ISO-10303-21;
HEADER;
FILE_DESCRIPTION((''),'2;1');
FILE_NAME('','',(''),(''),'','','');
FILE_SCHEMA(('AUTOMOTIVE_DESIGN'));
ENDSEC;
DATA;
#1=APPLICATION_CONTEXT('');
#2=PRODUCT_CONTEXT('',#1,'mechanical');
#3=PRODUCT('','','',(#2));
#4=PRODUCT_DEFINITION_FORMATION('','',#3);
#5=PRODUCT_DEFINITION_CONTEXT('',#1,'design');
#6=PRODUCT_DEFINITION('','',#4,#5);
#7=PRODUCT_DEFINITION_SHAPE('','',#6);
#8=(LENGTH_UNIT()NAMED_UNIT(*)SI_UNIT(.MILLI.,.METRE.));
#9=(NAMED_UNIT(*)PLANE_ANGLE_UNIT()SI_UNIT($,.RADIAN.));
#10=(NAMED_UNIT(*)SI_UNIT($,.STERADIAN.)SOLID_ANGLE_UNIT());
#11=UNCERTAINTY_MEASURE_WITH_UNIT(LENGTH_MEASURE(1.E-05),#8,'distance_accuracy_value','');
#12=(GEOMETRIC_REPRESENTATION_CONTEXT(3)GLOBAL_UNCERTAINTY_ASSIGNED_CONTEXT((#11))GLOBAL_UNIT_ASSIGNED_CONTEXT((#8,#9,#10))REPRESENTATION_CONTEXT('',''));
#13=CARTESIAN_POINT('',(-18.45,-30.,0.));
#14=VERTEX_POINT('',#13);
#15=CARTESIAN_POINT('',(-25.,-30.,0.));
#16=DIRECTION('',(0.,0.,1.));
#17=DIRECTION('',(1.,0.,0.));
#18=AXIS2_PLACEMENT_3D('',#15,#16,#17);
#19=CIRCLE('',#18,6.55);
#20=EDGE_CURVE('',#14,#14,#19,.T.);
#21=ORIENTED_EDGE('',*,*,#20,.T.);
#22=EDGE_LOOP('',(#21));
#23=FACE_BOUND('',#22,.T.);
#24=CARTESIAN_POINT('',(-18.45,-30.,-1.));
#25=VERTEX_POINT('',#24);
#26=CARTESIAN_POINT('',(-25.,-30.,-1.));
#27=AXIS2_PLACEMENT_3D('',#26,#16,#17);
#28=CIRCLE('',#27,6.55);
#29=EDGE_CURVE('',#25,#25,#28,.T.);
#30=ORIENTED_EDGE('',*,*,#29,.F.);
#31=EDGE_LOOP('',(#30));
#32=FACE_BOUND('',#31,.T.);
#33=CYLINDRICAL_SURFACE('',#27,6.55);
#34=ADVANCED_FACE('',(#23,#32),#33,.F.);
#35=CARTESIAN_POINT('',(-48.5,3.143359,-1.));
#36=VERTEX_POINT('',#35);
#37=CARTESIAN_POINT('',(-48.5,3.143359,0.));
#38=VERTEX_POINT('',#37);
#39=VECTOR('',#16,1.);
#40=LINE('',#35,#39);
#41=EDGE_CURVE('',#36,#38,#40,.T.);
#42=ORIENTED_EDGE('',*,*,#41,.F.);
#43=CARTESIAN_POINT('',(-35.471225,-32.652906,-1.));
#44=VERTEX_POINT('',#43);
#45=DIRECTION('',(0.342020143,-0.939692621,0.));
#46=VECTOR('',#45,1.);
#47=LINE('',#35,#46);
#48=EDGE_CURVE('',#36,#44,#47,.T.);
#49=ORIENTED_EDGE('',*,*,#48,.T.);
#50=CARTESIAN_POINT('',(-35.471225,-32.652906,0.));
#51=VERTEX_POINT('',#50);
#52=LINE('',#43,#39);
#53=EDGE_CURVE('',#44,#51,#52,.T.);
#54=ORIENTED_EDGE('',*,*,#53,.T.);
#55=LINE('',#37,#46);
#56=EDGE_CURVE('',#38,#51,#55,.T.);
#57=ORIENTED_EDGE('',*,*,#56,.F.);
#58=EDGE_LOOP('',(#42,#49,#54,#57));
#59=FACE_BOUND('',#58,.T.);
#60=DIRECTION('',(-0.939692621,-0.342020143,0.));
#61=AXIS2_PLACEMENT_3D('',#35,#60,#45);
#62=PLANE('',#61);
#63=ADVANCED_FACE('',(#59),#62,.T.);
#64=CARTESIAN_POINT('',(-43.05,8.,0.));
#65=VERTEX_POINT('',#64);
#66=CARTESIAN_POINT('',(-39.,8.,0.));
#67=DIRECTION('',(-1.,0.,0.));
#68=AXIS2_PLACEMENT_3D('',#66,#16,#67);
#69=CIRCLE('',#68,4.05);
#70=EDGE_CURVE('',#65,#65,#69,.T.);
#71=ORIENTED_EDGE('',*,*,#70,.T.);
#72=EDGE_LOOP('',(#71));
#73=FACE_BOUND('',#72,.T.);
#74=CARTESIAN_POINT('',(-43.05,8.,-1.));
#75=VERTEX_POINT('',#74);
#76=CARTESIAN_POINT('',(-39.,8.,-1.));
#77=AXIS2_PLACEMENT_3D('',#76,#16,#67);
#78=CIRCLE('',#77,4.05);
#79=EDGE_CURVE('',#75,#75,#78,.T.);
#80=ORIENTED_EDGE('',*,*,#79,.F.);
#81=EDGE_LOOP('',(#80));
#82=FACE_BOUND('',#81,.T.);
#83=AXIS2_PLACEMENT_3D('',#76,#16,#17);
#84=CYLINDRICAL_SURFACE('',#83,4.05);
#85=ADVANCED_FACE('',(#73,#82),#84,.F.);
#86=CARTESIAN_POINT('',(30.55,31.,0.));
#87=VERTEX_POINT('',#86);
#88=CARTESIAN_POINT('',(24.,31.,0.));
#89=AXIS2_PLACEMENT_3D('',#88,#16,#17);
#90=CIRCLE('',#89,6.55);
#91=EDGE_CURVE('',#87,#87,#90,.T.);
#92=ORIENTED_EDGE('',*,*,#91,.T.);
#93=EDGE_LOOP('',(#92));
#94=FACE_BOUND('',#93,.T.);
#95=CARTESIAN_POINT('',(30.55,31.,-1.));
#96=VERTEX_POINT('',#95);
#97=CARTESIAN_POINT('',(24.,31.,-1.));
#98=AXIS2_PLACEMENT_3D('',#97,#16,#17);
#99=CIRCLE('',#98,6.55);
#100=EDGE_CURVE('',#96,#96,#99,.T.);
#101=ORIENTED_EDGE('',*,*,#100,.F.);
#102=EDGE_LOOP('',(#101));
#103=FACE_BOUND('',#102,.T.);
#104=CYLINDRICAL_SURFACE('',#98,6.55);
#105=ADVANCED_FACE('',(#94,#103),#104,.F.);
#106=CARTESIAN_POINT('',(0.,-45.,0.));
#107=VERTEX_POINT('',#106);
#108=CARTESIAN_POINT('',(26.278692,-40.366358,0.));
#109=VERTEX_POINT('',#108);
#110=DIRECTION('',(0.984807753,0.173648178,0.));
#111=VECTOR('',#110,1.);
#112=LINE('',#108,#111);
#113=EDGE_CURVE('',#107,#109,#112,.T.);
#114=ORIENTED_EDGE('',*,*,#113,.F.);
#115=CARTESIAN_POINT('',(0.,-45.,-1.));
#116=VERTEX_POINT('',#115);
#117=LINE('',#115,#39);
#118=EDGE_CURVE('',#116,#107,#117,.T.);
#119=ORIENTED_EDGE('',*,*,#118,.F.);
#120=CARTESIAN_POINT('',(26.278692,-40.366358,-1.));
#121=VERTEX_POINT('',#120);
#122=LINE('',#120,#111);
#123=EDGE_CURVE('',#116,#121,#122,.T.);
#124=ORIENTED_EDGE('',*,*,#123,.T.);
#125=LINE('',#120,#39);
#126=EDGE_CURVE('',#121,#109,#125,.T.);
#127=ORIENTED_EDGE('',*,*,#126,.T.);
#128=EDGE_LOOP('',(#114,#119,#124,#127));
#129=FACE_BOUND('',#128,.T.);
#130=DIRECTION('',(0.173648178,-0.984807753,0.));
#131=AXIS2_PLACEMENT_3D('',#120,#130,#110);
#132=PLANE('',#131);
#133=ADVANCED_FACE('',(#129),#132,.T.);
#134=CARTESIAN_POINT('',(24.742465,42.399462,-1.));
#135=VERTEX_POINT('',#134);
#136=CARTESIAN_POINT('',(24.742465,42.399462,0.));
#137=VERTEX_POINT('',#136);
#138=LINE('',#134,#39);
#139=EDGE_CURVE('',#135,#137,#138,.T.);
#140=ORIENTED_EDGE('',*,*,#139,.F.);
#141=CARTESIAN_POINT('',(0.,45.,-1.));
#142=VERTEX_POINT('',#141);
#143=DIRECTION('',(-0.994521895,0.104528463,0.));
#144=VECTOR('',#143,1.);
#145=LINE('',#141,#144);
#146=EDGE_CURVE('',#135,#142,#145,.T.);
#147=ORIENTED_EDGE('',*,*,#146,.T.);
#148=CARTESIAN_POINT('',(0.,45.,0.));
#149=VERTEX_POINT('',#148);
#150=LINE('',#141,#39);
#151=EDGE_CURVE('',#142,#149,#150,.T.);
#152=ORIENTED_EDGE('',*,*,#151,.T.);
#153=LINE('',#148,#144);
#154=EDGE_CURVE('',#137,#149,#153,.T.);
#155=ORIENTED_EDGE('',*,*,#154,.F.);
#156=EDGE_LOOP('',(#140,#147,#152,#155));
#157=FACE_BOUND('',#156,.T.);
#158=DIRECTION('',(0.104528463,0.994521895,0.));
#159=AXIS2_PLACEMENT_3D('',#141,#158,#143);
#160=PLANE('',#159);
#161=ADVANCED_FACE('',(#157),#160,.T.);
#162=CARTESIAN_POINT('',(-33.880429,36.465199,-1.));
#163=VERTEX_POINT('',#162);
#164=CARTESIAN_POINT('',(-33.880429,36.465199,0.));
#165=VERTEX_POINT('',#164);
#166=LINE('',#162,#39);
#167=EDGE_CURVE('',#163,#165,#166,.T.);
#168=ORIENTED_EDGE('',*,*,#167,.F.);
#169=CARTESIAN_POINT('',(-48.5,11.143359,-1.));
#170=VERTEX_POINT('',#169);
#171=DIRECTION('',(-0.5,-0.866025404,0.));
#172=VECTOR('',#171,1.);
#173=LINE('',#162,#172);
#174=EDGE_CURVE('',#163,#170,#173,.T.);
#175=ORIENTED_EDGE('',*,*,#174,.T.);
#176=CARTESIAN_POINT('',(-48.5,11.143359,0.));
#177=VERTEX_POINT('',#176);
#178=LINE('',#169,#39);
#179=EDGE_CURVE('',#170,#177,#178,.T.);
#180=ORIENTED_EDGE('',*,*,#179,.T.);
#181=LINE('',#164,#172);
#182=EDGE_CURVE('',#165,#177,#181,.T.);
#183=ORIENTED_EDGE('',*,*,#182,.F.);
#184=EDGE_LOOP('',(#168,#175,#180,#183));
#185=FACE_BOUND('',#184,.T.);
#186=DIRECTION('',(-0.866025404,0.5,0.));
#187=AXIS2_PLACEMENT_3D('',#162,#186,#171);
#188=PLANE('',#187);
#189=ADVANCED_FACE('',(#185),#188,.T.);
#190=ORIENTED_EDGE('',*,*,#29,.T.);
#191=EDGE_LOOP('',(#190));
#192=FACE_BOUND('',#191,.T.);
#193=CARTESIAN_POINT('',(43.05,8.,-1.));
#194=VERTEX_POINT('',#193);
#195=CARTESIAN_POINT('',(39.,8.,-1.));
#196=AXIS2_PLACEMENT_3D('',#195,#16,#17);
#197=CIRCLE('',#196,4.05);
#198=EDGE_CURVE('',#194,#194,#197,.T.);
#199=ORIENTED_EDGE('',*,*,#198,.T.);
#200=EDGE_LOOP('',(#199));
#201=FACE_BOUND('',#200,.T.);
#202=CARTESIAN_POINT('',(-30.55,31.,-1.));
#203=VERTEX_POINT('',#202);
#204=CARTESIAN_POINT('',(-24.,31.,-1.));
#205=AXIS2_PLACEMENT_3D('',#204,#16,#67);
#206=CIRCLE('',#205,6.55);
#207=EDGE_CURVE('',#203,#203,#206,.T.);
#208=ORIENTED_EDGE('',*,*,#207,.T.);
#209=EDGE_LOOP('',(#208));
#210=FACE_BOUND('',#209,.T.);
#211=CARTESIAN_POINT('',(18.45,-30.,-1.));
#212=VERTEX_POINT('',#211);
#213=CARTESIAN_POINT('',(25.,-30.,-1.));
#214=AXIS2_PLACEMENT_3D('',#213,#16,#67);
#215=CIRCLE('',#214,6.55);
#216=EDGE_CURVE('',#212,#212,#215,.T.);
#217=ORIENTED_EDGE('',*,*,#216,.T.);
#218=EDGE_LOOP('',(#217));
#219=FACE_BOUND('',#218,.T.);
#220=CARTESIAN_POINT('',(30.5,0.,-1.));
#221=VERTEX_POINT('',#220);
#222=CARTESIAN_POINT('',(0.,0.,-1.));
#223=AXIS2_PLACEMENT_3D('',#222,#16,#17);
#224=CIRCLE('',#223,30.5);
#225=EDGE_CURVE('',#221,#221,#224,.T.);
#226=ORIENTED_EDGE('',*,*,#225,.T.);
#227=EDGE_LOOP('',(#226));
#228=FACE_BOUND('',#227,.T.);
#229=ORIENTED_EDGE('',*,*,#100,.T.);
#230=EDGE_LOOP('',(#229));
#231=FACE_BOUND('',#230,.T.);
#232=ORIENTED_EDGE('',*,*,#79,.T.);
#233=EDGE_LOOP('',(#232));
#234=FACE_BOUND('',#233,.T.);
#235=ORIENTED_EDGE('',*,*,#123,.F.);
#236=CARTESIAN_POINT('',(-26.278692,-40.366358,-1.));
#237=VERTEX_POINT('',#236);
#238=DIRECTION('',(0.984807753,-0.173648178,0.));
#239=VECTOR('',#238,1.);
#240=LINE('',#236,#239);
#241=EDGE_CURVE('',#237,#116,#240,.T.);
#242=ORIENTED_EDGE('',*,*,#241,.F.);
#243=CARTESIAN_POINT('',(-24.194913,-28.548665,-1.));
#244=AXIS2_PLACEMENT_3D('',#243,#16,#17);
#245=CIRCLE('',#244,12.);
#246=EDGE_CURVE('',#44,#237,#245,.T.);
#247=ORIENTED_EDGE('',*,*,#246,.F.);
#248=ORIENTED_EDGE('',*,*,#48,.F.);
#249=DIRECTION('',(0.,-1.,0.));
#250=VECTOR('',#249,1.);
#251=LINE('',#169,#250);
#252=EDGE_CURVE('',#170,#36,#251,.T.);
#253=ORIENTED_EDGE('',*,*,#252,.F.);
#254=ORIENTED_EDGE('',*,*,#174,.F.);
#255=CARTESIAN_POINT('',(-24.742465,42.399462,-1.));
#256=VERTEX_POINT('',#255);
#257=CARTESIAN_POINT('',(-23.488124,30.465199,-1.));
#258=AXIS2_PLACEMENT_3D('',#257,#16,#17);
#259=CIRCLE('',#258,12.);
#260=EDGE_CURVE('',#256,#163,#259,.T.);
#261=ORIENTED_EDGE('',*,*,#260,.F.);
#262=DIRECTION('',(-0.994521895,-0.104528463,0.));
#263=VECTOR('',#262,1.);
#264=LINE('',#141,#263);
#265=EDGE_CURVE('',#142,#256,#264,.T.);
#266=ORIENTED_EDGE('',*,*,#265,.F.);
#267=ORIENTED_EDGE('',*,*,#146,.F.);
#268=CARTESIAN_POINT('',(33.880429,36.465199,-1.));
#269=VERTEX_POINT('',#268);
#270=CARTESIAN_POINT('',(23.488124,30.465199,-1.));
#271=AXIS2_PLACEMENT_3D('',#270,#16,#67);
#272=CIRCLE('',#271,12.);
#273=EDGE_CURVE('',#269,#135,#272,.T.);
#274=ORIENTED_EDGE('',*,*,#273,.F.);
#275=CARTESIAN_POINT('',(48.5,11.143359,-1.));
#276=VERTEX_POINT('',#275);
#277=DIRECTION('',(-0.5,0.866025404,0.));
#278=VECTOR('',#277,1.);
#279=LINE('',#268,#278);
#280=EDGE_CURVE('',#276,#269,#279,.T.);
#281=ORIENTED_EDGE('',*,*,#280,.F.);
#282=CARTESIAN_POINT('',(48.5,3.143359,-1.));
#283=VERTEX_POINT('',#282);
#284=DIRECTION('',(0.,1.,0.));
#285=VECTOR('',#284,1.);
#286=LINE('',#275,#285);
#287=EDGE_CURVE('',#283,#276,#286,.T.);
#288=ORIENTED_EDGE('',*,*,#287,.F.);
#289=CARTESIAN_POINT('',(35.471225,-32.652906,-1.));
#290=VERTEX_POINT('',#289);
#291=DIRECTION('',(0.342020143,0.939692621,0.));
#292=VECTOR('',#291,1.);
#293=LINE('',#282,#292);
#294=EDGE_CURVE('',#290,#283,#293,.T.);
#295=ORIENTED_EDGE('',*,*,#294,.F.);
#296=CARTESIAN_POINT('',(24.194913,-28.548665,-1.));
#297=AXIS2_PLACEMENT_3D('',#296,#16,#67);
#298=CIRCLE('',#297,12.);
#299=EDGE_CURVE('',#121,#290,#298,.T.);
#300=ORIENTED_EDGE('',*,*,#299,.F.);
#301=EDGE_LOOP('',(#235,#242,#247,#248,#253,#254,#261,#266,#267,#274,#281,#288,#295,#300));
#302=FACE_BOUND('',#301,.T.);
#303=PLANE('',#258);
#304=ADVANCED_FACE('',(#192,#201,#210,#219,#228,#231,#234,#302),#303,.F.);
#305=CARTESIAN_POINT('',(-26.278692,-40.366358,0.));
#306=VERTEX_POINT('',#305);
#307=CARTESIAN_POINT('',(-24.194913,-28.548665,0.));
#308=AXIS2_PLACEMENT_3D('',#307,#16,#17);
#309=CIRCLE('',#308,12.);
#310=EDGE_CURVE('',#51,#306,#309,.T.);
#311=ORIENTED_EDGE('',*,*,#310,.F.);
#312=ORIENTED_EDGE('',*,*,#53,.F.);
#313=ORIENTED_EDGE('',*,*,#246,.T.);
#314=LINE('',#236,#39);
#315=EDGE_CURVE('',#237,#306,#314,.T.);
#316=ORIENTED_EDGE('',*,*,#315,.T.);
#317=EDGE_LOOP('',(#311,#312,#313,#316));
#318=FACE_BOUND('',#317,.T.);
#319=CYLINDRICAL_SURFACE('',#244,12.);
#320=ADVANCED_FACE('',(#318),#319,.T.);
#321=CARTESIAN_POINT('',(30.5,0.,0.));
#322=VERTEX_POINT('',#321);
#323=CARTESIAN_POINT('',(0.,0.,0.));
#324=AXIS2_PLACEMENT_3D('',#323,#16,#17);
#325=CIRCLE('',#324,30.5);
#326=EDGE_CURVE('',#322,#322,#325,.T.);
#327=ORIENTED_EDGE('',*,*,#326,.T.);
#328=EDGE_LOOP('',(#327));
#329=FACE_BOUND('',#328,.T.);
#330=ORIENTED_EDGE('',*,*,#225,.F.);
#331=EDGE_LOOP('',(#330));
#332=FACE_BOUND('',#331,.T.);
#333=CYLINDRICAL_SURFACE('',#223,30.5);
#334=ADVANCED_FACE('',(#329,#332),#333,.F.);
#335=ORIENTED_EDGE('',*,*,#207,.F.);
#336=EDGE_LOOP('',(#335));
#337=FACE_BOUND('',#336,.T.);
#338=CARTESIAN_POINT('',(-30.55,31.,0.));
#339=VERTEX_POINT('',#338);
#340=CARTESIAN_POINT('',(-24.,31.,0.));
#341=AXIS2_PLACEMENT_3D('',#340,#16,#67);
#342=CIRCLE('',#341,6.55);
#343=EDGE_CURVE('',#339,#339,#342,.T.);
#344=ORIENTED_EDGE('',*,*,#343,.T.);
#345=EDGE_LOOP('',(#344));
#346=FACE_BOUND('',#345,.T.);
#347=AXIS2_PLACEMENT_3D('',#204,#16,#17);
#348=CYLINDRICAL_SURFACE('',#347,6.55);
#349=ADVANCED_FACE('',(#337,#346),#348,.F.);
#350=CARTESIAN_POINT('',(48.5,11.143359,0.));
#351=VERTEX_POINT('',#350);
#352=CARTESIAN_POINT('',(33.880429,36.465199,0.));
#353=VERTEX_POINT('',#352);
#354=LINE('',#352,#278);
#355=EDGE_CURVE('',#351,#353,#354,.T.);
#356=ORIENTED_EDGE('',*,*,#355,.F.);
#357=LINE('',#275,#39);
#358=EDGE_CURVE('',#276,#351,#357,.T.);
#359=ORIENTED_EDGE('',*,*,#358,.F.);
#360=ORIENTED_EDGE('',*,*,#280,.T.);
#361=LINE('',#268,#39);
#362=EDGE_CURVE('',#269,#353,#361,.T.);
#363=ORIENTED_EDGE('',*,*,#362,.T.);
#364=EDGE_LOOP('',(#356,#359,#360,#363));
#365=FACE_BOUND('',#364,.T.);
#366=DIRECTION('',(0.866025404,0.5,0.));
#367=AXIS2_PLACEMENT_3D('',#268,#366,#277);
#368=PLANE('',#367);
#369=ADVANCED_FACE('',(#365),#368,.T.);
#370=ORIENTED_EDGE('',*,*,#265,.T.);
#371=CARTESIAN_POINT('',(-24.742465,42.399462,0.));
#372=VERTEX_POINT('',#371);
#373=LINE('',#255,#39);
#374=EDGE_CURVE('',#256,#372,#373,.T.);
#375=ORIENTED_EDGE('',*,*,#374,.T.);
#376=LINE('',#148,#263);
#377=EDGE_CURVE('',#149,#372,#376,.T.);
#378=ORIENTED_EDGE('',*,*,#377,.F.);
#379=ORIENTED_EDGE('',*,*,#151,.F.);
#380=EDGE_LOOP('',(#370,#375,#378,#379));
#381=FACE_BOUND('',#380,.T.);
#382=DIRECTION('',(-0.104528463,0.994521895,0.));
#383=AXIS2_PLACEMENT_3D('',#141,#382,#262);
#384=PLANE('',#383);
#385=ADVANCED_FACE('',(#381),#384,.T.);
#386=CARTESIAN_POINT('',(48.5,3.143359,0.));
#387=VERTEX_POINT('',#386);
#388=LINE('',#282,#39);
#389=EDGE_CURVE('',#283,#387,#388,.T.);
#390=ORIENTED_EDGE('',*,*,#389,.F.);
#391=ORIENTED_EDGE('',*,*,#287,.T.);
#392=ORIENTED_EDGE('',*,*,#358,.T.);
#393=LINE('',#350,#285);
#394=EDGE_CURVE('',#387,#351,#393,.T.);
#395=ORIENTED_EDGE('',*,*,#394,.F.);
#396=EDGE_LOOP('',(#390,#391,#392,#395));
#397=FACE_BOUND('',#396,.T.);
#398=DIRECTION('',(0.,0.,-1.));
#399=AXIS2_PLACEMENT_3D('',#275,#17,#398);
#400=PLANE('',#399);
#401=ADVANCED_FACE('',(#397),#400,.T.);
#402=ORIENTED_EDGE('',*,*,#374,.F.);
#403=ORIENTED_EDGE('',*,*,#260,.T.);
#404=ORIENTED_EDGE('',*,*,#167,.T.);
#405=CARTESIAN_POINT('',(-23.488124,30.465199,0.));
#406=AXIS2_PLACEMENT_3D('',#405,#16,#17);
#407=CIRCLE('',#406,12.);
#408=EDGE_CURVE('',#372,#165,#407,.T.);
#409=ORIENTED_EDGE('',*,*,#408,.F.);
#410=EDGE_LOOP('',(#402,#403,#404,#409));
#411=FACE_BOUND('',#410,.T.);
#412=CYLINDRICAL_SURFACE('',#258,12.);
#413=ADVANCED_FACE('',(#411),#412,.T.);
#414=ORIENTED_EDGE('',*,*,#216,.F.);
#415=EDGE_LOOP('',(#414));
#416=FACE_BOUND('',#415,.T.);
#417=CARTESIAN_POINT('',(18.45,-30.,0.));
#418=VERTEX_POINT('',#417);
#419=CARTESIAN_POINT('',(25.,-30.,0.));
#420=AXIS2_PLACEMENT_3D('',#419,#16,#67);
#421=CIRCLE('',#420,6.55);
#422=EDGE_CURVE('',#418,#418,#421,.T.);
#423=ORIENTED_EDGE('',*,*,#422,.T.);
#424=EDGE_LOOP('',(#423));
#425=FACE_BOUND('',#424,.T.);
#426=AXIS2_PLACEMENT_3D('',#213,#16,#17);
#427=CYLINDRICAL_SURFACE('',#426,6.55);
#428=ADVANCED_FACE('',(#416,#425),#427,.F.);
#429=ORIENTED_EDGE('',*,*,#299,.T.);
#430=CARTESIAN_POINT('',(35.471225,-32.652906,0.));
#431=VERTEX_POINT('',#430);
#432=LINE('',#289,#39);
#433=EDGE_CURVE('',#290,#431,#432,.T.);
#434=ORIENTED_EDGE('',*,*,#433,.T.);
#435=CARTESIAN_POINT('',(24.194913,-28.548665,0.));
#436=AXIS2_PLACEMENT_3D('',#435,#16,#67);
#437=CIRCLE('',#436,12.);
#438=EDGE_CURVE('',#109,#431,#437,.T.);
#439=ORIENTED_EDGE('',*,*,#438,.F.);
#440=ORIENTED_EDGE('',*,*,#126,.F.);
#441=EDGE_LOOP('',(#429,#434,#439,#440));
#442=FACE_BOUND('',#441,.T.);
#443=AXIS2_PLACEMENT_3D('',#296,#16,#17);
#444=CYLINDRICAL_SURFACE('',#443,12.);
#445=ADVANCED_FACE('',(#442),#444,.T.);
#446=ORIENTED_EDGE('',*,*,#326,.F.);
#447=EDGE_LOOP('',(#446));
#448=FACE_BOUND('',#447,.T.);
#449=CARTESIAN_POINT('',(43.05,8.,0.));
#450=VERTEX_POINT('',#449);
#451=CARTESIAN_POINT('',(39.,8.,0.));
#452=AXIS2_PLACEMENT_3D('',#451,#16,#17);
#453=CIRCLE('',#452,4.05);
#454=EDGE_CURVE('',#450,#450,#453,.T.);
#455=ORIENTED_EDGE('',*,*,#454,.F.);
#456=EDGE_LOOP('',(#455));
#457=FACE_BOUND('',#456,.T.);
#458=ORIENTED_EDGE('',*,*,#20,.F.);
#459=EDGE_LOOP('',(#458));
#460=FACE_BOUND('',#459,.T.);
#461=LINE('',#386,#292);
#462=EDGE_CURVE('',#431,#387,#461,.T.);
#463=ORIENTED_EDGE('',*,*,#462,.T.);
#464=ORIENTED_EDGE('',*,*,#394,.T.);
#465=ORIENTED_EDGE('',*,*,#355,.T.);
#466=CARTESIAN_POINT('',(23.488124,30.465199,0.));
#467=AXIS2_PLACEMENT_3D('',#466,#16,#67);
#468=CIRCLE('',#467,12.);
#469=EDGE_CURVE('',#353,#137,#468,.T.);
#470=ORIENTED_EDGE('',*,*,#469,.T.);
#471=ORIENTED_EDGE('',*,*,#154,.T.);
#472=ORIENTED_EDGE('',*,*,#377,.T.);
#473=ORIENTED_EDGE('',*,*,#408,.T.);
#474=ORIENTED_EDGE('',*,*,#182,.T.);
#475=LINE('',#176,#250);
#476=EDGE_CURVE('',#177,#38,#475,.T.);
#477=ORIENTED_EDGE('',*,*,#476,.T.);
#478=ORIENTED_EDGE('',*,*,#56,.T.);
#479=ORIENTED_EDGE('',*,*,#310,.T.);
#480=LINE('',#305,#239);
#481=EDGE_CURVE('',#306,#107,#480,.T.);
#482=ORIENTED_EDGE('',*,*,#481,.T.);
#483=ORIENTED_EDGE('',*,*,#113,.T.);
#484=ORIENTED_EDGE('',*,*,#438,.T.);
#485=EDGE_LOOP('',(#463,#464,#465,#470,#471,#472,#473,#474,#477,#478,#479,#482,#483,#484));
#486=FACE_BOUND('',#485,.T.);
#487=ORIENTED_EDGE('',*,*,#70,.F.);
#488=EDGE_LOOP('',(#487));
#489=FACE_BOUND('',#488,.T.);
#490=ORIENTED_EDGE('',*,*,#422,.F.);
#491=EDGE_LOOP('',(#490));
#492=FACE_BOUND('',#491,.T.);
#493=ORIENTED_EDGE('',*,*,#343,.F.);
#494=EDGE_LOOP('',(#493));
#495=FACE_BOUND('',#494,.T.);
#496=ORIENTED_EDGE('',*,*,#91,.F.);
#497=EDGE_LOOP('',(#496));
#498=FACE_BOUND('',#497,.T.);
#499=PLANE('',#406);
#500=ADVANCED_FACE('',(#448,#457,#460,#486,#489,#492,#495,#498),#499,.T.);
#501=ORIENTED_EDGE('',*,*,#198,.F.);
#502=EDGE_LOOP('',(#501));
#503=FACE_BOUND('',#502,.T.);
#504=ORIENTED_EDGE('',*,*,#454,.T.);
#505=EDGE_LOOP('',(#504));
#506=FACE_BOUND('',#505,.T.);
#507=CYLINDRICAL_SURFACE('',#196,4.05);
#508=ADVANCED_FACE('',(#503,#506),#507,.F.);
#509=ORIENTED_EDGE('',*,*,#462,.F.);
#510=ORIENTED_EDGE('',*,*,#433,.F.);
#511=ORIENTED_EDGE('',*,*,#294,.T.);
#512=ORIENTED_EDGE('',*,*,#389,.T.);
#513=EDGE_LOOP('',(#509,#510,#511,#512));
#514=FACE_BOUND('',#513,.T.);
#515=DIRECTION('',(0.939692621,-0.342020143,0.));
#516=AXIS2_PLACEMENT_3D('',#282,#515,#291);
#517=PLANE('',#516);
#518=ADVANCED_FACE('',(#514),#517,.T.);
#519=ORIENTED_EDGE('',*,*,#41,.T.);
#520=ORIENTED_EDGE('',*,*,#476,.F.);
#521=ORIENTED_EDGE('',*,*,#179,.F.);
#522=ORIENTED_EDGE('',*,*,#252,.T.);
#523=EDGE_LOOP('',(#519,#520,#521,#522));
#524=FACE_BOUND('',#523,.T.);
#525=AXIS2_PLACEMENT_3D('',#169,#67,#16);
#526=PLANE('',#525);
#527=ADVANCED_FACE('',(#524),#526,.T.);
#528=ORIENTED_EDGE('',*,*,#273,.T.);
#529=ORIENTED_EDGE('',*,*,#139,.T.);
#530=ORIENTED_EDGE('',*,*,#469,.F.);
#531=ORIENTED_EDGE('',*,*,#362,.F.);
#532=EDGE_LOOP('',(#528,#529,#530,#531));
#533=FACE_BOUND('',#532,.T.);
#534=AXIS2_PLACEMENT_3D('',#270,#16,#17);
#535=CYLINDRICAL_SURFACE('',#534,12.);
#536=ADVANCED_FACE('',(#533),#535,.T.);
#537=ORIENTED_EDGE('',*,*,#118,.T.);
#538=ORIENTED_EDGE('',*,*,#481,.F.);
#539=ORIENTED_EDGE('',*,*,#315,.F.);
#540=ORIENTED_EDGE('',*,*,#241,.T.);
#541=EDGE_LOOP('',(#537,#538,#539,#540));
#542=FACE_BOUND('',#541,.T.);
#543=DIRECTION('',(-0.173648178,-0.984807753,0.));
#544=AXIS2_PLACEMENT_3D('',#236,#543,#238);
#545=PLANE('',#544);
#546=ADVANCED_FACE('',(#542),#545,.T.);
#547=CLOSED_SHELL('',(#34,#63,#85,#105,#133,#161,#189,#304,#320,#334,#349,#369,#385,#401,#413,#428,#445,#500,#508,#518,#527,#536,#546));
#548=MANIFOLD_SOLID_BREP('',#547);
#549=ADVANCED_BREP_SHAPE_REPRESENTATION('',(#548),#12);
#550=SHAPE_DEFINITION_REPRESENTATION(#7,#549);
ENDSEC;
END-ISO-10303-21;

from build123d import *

# Parameters (mm, degrees)
SKETCH1_R           = 30.5
SKETCH1_R_2         = 6.55
SKETCH1_R_3         = 4.05
BOSS_EXTRUDE1_DEPTH = 1


with BuildPart() as part:
    # Sketch1 → Boss-Extrude1 (new body)
    with BuildSketch(Plane.XY):
        with BuildLine():
            Line((0, 45), (24.742465391, 42.399462096))
            ThreePointArc((24.742465391, 42.399462096), (30.023792252, 40.529246167), (33.880428677, 36.465199352))
            Line((33.880428677, 36.465199352), (48.5, 11.143359036))
            Line((48.5, 11.143359036), (48.5, 3.143359036))
            Line((48.5, 3.143359036), (35.471224905, -32.652906339))
            ThreePointArc((35.471224905, -32.652906339), (31.908364772, -37.741197937), (26.278691588, -40.366357655))
            Line((26.278691588, -40.366357655), (0, -45))
            Line((0, -45), (-26.278691588, -40.366357655))
            ThreePointArc((-26.278691588, -40.366357655), (-31.908364772, -37.741197937), (-35.471224905, -32.652906339))
            Line((-35.471224905, -32.652906339), (-48.5, 3.143359036))
            Line((-48.5, 3.143359036), (-48.5, 11.143359036))
            Line((-48.5, 11.143359036), (-33.880428677, 36.465199352))
            ThreePointArc((-33.880428677, 36.465199352), (-30.023792252, 40.529246167), (-24.742465391, 42.399462096))
            Line((-24.742465391, 42.399462096), (0, 45))
        make_face()
        Circle(SKETCH1_R, mode=Mode.SUBTRACT)
        with Locations((24, 31)):
            Circle(SKETCH1_R_2, mode=Mode.SUBTRACT)
        with Locations(Location((-24, 31, 0), (0, 0, 180))):
            Circle(SKETCH1_R_2, mode=Mode.SUBTRACT)
        with Locations((-25, -30)):
            Circle(SKETCH1_R_2, mode=Mode.SUBTRACT)
        with Locations(Location((25, -30, 0), (0, 0, 180))):
            Circle(SKETCH1_R_2, mode=Mode.SUBTRACT)
        with Locations((39, 8)):
            Circle(SKETCH1_R_3, mode=Mode.SUBTRACT)
        with Locations(Location((-39, 8, 0), (0, 0, 180))):
            Circle(SKETCH1_R_3, mode=Mode.SUBTRACT)
    extrude(amount=-BOSS_EXTRUDE1_DEPTH)


solid = part.part
